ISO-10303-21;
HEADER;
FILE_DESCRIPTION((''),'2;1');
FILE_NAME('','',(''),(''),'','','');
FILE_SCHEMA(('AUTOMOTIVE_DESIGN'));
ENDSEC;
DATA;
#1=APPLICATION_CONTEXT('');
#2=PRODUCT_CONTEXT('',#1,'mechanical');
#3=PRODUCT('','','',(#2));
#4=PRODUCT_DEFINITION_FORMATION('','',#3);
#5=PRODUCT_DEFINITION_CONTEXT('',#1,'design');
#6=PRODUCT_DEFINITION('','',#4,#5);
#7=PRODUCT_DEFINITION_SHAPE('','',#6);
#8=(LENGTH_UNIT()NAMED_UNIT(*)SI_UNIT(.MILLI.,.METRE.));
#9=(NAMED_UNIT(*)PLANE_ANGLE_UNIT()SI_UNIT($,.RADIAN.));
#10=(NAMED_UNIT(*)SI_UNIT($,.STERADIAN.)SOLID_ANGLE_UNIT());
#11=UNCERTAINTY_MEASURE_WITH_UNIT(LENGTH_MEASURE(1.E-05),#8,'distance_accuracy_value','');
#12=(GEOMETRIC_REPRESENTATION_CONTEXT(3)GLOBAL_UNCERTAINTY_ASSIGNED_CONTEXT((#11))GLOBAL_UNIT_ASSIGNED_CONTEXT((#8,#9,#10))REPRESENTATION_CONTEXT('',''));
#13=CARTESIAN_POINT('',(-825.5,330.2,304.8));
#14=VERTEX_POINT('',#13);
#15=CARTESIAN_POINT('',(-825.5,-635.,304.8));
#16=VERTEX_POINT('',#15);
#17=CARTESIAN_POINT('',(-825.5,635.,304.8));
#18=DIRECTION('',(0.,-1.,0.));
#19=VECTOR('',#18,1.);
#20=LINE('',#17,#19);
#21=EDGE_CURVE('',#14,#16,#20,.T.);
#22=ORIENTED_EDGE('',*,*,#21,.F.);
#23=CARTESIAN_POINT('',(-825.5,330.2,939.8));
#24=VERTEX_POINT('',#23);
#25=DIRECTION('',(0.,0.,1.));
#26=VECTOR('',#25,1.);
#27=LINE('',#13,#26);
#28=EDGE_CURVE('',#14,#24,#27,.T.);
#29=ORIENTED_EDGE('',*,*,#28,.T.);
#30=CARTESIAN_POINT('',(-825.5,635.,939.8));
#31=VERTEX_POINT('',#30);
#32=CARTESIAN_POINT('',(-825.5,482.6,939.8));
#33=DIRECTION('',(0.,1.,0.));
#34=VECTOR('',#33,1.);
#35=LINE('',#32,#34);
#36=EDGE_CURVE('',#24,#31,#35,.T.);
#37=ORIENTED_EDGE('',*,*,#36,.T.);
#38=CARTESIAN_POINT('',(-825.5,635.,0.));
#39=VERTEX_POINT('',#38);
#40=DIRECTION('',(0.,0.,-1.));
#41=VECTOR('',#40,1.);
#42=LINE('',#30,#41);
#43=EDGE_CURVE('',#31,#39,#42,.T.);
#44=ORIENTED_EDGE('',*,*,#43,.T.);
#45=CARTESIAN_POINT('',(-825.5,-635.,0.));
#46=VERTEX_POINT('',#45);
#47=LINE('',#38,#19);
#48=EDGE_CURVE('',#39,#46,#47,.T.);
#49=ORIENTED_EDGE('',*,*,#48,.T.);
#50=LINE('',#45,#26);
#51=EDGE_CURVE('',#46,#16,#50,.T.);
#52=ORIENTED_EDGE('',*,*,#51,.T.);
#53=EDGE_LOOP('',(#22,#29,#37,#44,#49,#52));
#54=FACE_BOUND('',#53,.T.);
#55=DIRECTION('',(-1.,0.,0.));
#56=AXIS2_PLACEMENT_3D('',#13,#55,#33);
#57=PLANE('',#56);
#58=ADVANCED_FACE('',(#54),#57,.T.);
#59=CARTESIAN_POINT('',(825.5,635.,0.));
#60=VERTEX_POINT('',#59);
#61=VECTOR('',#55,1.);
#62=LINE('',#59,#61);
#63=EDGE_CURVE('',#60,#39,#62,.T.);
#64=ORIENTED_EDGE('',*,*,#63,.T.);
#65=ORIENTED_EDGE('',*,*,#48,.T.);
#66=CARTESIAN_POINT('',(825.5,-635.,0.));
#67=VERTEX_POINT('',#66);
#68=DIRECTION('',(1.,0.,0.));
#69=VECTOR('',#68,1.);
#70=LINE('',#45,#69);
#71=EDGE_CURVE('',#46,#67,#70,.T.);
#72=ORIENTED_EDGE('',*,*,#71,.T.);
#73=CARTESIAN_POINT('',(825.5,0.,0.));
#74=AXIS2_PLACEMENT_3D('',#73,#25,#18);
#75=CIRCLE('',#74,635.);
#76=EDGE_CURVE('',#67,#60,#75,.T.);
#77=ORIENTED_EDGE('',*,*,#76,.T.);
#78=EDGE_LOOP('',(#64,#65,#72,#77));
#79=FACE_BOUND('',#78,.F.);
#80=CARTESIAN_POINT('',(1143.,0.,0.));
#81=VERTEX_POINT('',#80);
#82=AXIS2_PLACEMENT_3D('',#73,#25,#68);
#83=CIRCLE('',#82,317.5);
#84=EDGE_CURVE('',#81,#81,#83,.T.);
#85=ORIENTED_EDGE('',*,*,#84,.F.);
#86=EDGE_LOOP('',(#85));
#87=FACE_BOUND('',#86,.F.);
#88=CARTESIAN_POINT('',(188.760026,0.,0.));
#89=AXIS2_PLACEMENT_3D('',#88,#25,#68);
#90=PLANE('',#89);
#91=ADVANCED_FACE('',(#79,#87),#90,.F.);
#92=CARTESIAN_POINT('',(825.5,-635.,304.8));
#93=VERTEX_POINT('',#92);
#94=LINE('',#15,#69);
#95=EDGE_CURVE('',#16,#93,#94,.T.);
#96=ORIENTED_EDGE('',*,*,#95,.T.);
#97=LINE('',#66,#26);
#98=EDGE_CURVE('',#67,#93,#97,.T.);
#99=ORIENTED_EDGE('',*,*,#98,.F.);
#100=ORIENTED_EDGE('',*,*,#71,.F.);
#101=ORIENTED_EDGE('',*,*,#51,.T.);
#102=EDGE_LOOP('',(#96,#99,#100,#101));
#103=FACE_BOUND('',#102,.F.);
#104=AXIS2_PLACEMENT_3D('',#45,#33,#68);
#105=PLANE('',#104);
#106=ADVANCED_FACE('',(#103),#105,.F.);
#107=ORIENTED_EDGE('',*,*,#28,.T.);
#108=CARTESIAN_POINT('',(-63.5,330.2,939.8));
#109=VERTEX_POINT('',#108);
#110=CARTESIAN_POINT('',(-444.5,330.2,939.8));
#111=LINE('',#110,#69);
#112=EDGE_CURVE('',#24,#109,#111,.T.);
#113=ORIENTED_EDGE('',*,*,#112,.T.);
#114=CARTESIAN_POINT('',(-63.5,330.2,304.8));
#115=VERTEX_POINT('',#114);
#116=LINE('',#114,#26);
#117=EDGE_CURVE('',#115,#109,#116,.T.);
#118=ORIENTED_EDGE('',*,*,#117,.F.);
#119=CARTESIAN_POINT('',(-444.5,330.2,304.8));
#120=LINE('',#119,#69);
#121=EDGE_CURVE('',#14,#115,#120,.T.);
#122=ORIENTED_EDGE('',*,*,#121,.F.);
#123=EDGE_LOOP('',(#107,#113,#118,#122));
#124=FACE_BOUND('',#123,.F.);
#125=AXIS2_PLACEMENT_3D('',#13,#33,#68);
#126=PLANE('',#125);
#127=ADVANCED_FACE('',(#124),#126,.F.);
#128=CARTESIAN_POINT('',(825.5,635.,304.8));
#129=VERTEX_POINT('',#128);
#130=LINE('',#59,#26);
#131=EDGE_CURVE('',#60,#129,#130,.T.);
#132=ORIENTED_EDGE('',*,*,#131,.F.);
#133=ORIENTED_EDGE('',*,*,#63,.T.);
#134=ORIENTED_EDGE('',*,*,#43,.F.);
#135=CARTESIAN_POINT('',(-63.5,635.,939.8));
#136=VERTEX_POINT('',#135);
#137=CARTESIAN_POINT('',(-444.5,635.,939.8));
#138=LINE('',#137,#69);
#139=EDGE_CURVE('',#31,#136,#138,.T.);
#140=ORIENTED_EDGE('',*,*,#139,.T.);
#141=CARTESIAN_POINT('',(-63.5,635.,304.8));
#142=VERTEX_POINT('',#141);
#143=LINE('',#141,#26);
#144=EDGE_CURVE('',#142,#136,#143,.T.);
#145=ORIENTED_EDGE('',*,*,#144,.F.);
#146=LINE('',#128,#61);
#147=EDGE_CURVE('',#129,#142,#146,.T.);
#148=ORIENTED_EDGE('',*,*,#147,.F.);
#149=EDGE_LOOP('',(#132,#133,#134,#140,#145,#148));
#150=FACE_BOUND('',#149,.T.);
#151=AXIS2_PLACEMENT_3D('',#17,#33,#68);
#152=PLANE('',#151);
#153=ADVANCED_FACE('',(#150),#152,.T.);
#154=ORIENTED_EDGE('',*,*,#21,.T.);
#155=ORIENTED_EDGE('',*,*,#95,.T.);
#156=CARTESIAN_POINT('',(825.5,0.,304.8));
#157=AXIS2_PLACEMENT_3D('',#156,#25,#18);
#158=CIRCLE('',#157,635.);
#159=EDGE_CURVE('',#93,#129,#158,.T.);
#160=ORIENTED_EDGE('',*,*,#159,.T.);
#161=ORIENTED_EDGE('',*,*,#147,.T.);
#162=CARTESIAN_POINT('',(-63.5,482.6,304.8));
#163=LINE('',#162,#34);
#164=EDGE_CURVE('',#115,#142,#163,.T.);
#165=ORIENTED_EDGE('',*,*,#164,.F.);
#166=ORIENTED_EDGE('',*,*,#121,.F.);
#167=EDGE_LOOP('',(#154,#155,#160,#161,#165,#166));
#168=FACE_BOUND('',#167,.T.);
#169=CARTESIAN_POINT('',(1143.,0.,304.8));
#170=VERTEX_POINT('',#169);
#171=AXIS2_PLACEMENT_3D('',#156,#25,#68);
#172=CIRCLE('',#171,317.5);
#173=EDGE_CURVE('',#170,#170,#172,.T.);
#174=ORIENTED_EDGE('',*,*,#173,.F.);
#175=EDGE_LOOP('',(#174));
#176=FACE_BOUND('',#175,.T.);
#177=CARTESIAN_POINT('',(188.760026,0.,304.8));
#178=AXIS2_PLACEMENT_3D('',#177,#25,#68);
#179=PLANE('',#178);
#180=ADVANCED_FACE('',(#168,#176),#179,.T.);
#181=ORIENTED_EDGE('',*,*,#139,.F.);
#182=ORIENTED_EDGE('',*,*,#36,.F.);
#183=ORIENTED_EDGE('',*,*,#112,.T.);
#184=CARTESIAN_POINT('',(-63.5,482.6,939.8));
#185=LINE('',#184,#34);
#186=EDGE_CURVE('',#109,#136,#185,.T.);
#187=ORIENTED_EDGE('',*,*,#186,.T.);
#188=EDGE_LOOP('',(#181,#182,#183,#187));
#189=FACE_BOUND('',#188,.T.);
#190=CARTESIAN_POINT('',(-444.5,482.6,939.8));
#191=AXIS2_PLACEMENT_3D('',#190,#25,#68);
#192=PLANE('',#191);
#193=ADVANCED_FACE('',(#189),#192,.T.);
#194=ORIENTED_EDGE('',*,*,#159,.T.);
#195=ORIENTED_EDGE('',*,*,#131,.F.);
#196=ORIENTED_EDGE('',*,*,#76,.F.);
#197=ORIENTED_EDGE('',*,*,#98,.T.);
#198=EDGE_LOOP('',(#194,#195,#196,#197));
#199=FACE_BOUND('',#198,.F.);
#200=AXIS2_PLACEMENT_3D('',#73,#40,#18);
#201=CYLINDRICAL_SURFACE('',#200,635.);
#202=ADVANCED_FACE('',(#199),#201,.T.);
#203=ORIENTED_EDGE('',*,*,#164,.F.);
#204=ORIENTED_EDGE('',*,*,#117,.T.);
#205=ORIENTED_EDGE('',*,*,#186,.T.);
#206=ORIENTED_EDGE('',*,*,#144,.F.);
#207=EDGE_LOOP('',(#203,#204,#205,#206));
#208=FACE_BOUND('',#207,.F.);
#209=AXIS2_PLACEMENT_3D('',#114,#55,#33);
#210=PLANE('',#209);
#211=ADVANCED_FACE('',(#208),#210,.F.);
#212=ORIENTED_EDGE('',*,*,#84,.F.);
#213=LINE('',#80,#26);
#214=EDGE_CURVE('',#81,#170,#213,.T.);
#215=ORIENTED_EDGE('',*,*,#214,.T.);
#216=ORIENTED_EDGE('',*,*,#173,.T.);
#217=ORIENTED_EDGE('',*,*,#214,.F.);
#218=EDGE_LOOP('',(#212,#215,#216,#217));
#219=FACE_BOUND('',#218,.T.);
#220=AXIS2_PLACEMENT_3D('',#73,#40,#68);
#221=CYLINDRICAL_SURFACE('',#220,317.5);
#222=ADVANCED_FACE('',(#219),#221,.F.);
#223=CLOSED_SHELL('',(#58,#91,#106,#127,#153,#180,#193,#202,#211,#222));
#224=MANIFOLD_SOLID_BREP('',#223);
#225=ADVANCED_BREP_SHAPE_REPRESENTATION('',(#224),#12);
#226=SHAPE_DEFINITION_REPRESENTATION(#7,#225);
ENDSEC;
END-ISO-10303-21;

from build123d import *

# Parameters (mm, degrees)
F0_R     = 317.5
F1_DEPTH = 304.8
F2_W     = 762
F2_H     = 304.8
F3_DEPTH = 635


with BuildPart() as f1:
    # F0 (on Top) → F1 (new body)
    with BuildSketch(Plane.XY):
        with BuildLine():
            Line((-825.5, -635), (825.5, -635))
            ThreePointArc((825.5, -635), (1460.5, 0), (825.5, 635))
            Line((825.5, 635), (-825.5, 635))
            Line((-825.5, 635), (-825.5, -635))
        make_face()
        with Locations((825.5, 0)):
            Circle(F0_R, mode=Mode.SUBTRACT)
    extrude(amount=F1_DEPTH)

    # F2 (on face) → F3 (join)
    with BuildSketch(Plane.XY.offset(304.8)):
        with Locations((-444.5, 482.6)):
            Rectangle(F2_W, F2_H)
    extrude(amount=F3_DEPTH)


solid = f1.part
